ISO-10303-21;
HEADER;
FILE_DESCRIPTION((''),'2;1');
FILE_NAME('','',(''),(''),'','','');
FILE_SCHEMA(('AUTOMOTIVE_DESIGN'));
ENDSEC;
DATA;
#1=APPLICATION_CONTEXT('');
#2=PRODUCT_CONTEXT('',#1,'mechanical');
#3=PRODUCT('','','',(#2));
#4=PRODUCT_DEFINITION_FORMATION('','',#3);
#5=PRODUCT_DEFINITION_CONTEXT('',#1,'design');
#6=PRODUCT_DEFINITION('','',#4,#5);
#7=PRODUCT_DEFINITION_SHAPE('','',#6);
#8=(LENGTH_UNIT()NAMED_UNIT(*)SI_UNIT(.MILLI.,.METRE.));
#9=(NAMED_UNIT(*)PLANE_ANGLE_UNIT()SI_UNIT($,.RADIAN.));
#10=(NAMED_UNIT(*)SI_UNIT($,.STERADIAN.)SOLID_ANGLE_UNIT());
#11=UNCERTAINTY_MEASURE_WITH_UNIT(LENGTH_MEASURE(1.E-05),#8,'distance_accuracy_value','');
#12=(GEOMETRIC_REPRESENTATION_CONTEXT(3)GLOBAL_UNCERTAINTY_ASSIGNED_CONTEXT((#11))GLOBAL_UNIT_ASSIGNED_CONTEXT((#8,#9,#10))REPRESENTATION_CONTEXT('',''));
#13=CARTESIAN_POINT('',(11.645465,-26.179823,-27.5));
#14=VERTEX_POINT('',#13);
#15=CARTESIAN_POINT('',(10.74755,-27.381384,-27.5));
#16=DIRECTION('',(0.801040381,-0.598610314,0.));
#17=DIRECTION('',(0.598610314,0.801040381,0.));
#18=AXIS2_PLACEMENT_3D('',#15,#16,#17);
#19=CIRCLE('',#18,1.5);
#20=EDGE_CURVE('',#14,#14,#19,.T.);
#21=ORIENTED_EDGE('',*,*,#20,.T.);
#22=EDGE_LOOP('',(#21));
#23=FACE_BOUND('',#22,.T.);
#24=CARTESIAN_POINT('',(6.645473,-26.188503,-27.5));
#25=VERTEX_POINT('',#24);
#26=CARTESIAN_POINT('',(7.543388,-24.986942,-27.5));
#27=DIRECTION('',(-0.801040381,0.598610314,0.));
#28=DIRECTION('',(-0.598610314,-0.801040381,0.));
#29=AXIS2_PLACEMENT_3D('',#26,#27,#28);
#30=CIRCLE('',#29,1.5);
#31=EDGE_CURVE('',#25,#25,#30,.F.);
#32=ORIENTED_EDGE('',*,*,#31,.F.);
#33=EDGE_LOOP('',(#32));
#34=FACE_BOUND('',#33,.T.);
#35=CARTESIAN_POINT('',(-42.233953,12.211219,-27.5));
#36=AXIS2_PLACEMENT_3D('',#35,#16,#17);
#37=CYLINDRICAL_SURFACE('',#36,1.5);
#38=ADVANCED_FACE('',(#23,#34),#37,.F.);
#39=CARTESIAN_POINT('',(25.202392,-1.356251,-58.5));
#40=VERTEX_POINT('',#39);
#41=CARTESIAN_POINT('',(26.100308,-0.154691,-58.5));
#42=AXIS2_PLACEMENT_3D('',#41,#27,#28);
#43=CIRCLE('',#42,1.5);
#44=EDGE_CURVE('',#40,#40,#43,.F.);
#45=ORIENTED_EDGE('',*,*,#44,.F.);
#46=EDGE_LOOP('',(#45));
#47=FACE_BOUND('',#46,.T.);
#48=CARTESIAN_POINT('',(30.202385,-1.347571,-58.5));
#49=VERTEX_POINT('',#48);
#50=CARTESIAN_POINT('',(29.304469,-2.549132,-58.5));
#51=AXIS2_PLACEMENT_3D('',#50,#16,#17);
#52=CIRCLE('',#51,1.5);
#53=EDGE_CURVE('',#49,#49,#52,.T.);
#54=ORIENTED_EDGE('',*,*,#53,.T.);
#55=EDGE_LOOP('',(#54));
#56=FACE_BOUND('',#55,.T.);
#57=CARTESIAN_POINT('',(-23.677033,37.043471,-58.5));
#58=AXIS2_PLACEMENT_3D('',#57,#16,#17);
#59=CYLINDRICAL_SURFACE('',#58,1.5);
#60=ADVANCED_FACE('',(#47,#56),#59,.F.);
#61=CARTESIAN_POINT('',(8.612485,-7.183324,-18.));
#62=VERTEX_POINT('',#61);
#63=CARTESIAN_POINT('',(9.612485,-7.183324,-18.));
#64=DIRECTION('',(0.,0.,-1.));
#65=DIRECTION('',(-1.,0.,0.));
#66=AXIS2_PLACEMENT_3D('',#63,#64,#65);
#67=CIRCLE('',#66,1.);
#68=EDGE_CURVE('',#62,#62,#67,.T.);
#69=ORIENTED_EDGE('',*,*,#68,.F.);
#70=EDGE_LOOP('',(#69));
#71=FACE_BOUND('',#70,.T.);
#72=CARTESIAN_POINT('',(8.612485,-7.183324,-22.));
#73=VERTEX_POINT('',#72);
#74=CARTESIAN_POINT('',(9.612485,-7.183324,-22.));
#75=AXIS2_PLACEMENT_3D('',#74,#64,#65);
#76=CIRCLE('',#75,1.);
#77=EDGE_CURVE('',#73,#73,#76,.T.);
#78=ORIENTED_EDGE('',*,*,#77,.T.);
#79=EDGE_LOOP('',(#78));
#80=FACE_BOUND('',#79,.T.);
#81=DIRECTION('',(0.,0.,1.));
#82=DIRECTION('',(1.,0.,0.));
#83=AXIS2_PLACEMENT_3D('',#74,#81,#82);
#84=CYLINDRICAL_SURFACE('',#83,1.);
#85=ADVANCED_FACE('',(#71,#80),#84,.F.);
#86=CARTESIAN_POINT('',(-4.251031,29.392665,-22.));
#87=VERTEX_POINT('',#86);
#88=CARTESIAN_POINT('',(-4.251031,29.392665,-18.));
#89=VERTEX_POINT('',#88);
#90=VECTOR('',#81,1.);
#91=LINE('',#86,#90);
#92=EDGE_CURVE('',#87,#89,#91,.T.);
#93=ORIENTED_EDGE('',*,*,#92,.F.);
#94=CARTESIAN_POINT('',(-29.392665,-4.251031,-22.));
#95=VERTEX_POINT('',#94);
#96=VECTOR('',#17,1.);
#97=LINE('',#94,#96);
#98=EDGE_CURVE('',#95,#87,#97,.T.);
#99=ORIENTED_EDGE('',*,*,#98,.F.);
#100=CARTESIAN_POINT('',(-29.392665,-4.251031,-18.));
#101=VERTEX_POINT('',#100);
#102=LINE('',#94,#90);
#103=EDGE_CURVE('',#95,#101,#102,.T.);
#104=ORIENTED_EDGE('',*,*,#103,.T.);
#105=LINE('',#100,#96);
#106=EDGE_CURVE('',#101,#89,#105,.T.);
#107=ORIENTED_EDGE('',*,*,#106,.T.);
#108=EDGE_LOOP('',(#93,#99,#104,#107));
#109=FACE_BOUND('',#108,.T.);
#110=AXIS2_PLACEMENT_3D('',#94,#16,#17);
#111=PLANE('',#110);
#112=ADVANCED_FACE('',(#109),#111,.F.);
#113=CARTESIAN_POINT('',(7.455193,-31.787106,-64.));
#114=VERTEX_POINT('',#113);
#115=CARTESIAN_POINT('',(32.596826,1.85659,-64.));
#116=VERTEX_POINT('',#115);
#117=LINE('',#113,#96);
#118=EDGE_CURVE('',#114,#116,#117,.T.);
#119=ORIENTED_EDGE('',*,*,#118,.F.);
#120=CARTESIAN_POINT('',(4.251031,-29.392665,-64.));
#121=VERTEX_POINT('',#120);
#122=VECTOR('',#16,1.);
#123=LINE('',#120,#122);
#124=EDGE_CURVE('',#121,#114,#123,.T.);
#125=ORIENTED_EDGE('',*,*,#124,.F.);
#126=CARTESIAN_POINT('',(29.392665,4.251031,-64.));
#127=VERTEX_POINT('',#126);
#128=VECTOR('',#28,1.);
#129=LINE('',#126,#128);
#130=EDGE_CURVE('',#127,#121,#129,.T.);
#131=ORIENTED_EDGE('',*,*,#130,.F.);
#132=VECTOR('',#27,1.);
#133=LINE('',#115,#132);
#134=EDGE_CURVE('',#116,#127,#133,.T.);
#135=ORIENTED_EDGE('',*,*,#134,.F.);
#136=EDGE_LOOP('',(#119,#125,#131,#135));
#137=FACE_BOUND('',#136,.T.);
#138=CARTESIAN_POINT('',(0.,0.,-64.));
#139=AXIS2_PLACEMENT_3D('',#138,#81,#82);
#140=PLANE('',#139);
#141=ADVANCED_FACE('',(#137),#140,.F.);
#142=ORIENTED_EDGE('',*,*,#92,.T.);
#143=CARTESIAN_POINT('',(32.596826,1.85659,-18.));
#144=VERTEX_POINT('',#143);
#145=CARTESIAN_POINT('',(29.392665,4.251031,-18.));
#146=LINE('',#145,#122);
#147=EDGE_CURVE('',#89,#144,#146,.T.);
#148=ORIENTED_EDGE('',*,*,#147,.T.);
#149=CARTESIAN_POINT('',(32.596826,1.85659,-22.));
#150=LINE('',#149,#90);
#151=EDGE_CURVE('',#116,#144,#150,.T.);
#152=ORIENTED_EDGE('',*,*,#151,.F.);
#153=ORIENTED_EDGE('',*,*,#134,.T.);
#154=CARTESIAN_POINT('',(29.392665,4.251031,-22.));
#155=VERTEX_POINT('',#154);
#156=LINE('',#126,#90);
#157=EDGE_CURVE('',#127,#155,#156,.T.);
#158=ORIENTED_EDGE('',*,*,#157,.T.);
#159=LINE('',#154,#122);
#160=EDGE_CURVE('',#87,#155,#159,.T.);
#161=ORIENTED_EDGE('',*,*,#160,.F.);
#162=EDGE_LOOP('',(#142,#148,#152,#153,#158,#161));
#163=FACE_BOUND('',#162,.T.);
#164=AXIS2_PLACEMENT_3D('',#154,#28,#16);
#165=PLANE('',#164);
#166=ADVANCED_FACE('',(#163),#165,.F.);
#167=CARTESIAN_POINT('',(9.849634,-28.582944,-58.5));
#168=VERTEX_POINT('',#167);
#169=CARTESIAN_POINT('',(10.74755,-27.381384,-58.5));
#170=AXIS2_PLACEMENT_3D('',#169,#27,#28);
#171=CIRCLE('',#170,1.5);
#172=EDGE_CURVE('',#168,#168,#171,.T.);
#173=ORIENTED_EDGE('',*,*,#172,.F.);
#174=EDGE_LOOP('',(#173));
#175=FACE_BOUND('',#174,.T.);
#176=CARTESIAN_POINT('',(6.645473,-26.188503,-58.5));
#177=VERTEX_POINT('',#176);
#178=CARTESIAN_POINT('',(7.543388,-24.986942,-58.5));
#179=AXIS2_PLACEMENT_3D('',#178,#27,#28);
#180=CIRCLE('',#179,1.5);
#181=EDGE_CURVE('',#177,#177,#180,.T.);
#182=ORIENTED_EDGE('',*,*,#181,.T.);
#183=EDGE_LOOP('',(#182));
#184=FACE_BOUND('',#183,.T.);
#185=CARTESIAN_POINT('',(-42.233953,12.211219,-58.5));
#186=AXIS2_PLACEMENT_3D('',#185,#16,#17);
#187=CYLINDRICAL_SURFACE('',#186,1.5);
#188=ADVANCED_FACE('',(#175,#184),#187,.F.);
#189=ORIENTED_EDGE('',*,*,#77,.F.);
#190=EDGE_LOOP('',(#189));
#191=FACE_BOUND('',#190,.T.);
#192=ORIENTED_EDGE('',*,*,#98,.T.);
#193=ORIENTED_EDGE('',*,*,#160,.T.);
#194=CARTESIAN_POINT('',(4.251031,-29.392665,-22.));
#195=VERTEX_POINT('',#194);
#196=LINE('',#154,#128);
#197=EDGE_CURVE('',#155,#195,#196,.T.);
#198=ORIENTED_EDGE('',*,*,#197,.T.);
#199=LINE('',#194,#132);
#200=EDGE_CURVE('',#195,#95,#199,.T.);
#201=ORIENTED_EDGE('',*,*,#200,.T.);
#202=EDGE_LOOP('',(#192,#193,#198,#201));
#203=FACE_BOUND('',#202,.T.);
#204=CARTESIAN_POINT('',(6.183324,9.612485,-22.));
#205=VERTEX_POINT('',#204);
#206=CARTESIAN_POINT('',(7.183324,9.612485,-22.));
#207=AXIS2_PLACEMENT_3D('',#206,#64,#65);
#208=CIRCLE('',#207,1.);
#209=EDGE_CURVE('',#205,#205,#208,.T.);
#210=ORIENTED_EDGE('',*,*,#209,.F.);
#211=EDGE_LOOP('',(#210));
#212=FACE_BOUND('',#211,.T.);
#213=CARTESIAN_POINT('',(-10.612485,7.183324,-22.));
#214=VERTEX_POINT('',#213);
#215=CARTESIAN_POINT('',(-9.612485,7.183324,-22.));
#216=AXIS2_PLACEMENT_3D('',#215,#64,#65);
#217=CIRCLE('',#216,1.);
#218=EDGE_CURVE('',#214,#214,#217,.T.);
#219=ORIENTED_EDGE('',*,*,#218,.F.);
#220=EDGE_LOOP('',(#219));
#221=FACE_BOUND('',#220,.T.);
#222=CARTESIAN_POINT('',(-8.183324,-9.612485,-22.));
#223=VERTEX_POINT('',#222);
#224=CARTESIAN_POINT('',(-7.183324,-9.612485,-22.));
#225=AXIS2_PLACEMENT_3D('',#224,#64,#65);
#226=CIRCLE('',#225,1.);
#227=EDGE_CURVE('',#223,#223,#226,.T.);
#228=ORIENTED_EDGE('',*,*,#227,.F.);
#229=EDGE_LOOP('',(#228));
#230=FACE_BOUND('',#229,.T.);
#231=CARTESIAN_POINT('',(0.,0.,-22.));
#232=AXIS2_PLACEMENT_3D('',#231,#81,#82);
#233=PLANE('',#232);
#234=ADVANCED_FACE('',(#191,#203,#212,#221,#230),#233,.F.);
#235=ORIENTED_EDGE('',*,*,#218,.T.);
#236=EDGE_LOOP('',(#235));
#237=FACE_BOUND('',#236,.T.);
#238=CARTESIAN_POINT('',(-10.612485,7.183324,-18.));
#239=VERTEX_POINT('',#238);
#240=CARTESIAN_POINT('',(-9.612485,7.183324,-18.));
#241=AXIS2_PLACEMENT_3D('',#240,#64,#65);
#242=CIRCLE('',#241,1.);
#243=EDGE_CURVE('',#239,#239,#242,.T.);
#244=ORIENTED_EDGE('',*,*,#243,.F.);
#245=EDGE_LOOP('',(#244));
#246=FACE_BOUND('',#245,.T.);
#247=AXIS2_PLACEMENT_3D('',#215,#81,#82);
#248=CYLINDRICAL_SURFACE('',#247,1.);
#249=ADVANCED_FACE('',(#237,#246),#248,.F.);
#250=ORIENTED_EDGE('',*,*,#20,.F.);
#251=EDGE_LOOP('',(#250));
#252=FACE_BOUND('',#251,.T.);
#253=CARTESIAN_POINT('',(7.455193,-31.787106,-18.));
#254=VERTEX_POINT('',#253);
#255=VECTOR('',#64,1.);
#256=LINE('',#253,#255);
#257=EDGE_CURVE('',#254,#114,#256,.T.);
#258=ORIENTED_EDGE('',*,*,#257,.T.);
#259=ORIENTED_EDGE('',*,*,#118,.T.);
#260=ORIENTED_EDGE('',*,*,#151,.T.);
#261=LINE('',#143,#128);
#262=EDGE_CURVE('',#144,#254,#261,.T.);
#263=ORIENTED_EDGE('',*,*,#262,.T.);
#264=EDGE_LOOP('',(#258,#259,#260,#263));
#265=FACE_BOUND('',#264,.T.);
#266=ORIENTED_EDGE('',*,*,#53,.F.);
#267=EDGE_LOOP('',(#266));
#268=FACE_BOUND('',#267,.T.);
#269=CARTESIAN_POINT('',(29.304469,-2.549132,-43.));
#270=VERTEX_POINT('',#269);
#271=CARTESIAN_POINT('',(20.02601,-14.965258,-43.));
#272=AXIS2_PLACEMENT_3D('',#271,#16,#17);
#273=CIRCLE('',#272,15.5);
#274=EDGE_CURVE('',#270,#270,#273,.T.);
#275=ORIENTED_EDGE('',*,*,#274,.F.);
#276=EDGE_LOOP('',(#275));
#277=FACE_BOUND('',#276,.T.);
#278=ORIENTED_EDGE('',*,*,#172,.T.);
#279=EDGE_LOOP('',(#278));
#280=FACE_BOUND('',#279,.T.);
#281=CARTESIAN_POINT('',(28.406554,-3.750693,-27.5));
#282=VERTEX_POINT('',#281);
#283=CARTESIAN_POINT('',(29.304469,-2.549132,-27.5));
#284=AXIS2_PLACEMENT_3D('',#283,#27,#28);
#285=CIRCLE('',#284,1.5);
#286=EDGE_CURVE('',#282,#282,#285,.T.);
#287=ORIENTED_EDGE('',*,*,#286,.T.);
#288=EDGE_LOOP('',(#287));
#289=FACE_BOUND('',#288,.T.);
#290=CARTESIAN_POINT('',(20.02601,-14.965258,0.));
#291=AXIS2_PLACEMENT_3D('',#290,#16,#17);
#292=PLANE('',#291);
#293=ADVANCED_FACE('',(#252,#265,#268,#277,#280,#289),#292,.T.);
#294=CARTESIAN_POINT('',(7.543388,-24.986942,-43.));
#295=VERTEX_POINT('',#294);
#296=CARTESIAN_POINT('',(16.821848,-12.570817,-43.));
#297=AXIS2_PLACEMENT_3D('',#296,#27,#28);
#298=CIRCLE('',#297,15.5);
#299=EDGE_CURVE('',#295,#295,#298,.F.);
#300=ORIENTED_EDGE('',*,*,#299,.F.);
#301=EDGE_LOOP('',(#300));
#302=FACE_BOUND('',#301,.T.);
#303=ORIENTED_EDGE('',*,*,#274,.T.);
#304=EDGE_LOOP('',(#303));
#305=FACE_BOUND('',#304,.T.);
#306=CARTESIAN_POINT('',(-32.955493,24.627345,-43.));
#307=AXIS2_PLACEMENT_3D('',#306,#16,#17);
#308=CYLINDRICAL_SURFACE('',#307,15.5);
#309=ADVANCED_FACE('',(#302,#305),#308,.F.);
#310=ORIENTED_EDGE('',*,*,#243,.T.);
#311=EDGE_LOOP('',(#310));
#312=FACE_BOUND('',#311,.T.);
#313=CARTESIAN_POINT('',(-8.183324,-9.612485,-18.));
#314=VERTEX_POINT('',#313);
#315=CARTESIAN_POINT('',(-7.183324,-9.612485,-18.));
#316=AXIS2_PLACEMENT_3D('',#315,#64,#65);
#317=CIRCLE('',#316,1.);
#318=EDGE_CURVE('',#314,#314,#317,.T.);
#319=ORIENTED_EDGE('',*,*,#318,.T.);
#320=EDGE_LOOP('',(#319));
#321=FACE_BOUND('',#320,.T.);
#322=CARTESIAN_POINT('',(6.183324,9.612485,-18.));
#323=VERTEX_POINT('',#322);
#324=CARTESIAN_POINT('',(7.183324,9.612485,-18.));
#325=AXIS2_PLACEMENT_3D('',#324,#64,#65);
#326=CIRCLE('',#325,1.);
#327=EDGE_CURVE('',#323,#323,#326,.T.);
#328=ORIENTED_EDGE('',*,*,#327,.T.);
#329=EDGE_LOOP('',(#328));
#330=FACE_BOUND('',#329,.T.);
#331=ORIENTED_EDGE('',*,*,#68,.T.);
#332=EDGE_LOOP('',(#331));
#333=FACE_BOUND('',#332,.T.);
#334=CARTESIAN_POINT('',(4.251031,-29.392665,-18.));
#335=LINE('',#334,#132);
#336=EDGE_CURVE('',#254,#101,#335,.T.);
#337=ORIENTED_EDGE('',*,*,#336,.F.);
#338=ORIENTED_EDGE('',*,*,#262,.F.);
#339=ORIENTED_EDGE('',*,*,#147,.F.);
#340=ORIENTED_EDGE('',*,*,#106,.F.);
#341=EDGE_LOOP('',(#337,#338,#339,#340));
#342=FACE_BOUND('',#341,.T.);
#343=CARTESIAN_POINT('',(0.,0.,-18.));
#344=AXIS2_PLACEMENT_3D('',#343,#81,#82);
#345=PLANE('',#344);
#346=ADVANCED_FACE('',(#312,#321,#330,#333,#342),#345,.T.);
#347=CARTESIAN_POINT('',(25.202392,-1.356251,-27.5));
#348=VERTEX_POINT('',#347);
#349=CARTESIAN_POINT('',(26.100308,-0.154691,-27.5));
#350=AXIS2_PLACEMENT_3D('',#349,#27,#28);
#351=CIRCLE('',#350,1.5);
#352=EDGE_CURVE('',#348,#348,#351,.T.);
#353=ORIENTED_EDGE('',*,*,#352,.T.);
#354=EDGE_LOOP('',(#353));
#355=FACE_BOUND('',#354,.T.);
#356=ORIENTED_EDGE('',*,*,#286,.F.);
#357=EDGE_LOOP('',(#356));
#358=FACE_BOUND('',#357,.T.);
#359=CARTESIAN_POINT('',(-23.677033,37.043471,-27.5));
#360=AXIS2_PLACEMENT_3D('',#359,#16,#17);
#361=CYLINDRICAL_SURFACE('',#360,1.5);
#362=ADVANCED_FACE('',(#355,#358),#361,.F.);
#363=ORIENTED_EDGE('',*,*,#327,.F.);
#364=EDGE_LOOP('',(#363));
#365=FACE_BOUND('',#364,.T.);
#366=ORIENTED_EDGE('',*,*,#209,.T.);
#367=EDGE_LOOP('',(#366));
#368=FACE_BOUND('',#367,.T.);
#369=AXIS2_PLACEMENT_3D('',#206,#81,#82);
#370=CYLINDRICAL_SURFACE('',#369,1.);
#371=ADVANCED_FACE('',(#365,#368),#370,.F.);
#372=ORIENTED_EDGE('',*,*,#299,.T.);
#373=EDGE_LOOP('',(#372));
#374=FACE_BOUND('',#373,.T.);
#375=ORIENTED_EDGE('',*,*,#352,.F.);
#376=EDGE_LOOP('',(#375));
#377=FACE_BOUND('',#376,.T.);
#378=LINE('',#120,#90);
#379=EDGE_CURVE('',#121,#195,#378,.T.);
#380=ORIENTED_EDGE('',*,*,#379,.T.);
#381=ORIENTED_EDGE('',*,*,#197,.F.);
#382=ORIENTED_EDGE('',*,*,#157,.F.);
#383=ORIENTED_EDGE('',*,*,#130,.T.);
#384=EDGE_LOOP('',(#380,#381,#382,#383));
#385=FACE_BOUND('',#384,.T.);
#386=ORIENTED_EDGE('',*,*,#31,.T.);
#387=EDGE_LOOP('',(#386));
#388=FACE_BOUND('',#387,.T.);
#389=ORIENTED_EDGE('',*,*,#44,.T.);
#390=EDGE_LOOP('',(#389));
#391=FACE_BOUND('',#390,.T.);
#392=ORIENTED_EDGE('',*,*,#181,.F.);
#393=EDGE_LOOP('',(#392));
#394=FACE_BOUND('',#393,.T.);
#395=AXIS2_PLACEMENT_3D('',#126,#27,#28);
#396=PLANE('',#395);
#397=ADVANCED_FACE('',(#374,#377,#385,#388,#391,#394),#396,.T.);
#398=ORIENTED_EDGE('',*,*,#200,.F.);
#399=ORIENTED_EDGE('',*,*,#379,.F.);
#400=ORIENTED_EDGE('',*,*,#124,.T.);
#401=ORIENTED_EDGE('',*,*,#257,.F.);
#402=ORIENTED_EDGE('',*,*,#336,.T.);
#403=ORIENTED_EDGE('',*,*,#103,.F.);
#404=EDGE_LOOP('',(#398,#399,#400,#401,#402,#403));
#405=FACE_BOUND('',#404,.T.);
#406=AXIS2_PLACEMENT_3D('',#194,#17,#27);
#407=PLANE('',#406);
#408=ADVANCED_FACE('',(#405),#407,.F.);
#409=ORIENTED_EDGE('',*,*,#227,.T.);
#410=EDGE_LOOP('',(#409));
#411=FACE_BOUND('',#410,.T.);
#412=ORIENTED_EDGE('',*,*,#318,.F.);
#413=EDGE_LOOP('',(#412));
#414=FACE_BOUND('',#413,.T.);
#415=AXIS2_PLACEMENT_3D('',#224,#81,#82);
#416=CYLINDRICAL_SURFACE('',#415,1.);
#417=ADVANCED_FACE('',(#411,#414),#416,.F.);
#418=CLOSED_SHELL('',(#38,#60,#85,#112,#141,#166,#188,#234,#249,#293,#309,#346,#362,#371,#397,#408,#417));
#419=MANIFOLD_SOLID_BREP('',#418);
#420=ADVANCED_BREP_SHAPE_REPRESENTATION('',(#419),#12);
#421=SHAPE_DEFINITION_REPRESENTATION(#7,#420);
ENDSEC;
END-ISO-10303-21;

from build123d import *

# Parameters (mm, degrees)
SKETCH_2_R          = 1
EXTRUDE_1_DEPTH     = 4
SKETCH_5_W          = 42
SKETCH_5_H          = 4
EXTRUDE_2_DEPTH     = 4
EXTRUDE_3_DEPTH     = 42
CUT_EXTRUDE_1_REACH = 94.227
SKETCH_7_R          = 15.5
CUT_EXTRUDE_2_REACH = 94.227
SKETCH_9_R          = 1.5


with BuildPart() as part:
    # 草图2 → 凸台-拉伸1 (new body)
    with BuildSketch(Plane(origin=(0, 0, -18), x_dir=(-1, 0, 0), z_dir=(0, 0, -1))):
        Polygon((-4.251031416, -29.392664593), (29.392664593, -4.251031416), (4.251031416, 29.392664593), (-29.392664593, 4.251031416), align=None)
        with Locations((9.612484574, 7.183323765)):
            Circle(SKETCH_2_R, mode=Mode.SUBTRACT)
        with Locations((-7.183323765, 9.612484574)):
            Circle(SKETCH_2_R, mode=Mode.SUBTRACT)
        with Locations((-9.612484574, -7.183323765)):
            Circle(SKETCH_2_R, mode=Mode.SUBTRACT)
        with Locations((7.183323765, -9.612484574)):
            Circle(SKETCH_2_R, mode=Mode.SUBTRACT)
    extrude(amount=EXTRUDE_1_DEPTH)

    # 草图5 → 凸台-拉伸2 (add)
    with BuildSketch(Plane(origin=(16.821848005, -12.570816589, 0), x_dir=(0.5986103137395574, 0.8010403811822651, 0), z_dir=(0.8010403811822651, -0.5986103137395574, 0))):
        with Locations((0, -20)):
            Rectangle(SKETCH_5_W, SKETCH_5_H)
    extrude(amount=EXTRUDE_2_DEPTH)

    # 草图6 → 凸台-拉伸3 (add)
    with BuildSketch(Plane(origin=(0, 0, -22), x_dir=(-1, 0, 0), z_dir=(0, 0, -1))):
        Polygon((-7.455192941, -31.787105848), (-32.596826118, 1.856590161), (-29.392664593, 4.251031416), (-4.251031416, -29.392664593), align=None)
    extrude(amount=EXTRUDE_3_DEPTH)

    # 草图7 → 切除-拉伸1 (cut, up to next)
    with BuildSketch(Plane(origin=(20.02600953, -14.965257843, 0), x_dir=(-0.5986103137395574, -0.8010403811822653, 0), z_dir=(0.8010403811822653, -0.5986103137395574, 0)), mode=Mode.PRIVATE) as cut_extrude_1_sk1:
        with Locations(Location((0, 43, 0), (0, 0, 180))):
            Circle(SKETCH_7_R)
    cut_extrude_1_tool1 = extrude(cut_extrude_1_sk1.sketch, amount=-CUT_EXTRUDE_1_REACH, mode=Mode.PRIVATE) & part.part
    add(cut_extrude_1_tool1.solids().sort_by_distance((20.02601, -14.965258, -43))[0], mode=Mode.SUBTRACT)

    # 草图9 → 切除-拉伸2 (cut, up to next)
    with BuildSketch(Plane(origin=(20.02600953, -14.965257843, 0), x_dir=(-0.5986103137395573, -0.8010403811822652, 0), z_dir=(0.8010403811822653, -0.5986103137395574, 0)), mode=Mode.PRIVATE) as cut_extrude_2_sk1:
        with Locations(Location((-15.5, 58.5, 0), (0, 0, 180))):
            Circle(SKETCH_9_R)
    cut_extrude_2_tool1 = extrude(cut_extrude_2_sk1.sketch, amount=-CUT_EXTRUDE_2_REACH, mode=Mode.PRIVATE) & part.part
    # 草图9 → 切除-拉伸2 (cut, up to next)
    with BuildSketch(Plane(origin=(20.02600953, -14.965257843, 0), x_dir=(-0.5986103137395573, -0.8010403811822652, 0), z_dir=(0.8010403811822653, -0.5986103137395574, 0)), mode=Mode.PRIVATE) as cut_extrude_2_sk2:
        with Locations((-15.5, 27.5)):
            Circle(SKETCH_9_R)
    cut_extrude_2_tool2 = extrude(cut_extrude_2_sk2.sketch, amount=-CUT_EXTRUDE_2_REACH, mode=Mode.PRIVATE) & part.part
    # 草图9 → 切除-拉伸2 (cut, up to next)
    with BuildSketch(Plane(origin=(20.02600953, -14.965257843, 0), x_dir=(-0.5986103137395573, -0.8010403811822652, 0), z_dir=(0.8010403811822653, -0.5986103137395574, 0)), mode=Mode.PRIVATE) as cut_extrude_2_sk3:
        with Locations((15.5, 58.5)):
            Circle(SKETCH_9_R)
    cut_extrude_2_tool3 = extrude(cut_extrude_2_sk3.sketch, amount=-CUT_EXTRUDE_2_REACH, mode=Mode.PRIVATE) & part.part
    # 草图9 → 切除-拉伸2 (cut, up to next)
    with BuildSketch(Plane(origin=(20.02600953, -14.965257843, 0), x_dir=(-0.5986103137395573, -0.8010403811822652, 0), z_dir=(0.8010403811822653, -0.5986103137395574, 0)), mode=Mode.PRIVATE) as cut_extrude_2_sk4:
        with Locations(Location((15.5, 27.5, 0), (0, 0, 180))):
            Circle(SKETCH_9_R)
    cut_extrude_2_tool4 = extrude(cut_extrude_2_sk4.sketch, amount=-CUT_EXTRUDE_2_REACH, mode=Mode.PRIVATE) & part.part
    add(cut_extrude_2_tool1.solids().sort_by_distance((29.304469, -2.549132, -58.5))[0], mode=Mode.SUBTRACT)
    add(cut_extrude_2_tool2.solids().sort_by_distance((29.304469, -2.549132, -27.5))[0], mode=Mode.SUBTRACT)
    add(cut_extrude_2_tool3.solids().sort_by_distance((10.74755, -27.381384, -58.5))[0], mode=Mode.SUBTRACT)
    add(cut_extrude_2_tool4.solids().sort_by_distance((10.74755, -27.381384, -27.5))[0], mode=Mode.SUBTRACT)


solid = part.part
